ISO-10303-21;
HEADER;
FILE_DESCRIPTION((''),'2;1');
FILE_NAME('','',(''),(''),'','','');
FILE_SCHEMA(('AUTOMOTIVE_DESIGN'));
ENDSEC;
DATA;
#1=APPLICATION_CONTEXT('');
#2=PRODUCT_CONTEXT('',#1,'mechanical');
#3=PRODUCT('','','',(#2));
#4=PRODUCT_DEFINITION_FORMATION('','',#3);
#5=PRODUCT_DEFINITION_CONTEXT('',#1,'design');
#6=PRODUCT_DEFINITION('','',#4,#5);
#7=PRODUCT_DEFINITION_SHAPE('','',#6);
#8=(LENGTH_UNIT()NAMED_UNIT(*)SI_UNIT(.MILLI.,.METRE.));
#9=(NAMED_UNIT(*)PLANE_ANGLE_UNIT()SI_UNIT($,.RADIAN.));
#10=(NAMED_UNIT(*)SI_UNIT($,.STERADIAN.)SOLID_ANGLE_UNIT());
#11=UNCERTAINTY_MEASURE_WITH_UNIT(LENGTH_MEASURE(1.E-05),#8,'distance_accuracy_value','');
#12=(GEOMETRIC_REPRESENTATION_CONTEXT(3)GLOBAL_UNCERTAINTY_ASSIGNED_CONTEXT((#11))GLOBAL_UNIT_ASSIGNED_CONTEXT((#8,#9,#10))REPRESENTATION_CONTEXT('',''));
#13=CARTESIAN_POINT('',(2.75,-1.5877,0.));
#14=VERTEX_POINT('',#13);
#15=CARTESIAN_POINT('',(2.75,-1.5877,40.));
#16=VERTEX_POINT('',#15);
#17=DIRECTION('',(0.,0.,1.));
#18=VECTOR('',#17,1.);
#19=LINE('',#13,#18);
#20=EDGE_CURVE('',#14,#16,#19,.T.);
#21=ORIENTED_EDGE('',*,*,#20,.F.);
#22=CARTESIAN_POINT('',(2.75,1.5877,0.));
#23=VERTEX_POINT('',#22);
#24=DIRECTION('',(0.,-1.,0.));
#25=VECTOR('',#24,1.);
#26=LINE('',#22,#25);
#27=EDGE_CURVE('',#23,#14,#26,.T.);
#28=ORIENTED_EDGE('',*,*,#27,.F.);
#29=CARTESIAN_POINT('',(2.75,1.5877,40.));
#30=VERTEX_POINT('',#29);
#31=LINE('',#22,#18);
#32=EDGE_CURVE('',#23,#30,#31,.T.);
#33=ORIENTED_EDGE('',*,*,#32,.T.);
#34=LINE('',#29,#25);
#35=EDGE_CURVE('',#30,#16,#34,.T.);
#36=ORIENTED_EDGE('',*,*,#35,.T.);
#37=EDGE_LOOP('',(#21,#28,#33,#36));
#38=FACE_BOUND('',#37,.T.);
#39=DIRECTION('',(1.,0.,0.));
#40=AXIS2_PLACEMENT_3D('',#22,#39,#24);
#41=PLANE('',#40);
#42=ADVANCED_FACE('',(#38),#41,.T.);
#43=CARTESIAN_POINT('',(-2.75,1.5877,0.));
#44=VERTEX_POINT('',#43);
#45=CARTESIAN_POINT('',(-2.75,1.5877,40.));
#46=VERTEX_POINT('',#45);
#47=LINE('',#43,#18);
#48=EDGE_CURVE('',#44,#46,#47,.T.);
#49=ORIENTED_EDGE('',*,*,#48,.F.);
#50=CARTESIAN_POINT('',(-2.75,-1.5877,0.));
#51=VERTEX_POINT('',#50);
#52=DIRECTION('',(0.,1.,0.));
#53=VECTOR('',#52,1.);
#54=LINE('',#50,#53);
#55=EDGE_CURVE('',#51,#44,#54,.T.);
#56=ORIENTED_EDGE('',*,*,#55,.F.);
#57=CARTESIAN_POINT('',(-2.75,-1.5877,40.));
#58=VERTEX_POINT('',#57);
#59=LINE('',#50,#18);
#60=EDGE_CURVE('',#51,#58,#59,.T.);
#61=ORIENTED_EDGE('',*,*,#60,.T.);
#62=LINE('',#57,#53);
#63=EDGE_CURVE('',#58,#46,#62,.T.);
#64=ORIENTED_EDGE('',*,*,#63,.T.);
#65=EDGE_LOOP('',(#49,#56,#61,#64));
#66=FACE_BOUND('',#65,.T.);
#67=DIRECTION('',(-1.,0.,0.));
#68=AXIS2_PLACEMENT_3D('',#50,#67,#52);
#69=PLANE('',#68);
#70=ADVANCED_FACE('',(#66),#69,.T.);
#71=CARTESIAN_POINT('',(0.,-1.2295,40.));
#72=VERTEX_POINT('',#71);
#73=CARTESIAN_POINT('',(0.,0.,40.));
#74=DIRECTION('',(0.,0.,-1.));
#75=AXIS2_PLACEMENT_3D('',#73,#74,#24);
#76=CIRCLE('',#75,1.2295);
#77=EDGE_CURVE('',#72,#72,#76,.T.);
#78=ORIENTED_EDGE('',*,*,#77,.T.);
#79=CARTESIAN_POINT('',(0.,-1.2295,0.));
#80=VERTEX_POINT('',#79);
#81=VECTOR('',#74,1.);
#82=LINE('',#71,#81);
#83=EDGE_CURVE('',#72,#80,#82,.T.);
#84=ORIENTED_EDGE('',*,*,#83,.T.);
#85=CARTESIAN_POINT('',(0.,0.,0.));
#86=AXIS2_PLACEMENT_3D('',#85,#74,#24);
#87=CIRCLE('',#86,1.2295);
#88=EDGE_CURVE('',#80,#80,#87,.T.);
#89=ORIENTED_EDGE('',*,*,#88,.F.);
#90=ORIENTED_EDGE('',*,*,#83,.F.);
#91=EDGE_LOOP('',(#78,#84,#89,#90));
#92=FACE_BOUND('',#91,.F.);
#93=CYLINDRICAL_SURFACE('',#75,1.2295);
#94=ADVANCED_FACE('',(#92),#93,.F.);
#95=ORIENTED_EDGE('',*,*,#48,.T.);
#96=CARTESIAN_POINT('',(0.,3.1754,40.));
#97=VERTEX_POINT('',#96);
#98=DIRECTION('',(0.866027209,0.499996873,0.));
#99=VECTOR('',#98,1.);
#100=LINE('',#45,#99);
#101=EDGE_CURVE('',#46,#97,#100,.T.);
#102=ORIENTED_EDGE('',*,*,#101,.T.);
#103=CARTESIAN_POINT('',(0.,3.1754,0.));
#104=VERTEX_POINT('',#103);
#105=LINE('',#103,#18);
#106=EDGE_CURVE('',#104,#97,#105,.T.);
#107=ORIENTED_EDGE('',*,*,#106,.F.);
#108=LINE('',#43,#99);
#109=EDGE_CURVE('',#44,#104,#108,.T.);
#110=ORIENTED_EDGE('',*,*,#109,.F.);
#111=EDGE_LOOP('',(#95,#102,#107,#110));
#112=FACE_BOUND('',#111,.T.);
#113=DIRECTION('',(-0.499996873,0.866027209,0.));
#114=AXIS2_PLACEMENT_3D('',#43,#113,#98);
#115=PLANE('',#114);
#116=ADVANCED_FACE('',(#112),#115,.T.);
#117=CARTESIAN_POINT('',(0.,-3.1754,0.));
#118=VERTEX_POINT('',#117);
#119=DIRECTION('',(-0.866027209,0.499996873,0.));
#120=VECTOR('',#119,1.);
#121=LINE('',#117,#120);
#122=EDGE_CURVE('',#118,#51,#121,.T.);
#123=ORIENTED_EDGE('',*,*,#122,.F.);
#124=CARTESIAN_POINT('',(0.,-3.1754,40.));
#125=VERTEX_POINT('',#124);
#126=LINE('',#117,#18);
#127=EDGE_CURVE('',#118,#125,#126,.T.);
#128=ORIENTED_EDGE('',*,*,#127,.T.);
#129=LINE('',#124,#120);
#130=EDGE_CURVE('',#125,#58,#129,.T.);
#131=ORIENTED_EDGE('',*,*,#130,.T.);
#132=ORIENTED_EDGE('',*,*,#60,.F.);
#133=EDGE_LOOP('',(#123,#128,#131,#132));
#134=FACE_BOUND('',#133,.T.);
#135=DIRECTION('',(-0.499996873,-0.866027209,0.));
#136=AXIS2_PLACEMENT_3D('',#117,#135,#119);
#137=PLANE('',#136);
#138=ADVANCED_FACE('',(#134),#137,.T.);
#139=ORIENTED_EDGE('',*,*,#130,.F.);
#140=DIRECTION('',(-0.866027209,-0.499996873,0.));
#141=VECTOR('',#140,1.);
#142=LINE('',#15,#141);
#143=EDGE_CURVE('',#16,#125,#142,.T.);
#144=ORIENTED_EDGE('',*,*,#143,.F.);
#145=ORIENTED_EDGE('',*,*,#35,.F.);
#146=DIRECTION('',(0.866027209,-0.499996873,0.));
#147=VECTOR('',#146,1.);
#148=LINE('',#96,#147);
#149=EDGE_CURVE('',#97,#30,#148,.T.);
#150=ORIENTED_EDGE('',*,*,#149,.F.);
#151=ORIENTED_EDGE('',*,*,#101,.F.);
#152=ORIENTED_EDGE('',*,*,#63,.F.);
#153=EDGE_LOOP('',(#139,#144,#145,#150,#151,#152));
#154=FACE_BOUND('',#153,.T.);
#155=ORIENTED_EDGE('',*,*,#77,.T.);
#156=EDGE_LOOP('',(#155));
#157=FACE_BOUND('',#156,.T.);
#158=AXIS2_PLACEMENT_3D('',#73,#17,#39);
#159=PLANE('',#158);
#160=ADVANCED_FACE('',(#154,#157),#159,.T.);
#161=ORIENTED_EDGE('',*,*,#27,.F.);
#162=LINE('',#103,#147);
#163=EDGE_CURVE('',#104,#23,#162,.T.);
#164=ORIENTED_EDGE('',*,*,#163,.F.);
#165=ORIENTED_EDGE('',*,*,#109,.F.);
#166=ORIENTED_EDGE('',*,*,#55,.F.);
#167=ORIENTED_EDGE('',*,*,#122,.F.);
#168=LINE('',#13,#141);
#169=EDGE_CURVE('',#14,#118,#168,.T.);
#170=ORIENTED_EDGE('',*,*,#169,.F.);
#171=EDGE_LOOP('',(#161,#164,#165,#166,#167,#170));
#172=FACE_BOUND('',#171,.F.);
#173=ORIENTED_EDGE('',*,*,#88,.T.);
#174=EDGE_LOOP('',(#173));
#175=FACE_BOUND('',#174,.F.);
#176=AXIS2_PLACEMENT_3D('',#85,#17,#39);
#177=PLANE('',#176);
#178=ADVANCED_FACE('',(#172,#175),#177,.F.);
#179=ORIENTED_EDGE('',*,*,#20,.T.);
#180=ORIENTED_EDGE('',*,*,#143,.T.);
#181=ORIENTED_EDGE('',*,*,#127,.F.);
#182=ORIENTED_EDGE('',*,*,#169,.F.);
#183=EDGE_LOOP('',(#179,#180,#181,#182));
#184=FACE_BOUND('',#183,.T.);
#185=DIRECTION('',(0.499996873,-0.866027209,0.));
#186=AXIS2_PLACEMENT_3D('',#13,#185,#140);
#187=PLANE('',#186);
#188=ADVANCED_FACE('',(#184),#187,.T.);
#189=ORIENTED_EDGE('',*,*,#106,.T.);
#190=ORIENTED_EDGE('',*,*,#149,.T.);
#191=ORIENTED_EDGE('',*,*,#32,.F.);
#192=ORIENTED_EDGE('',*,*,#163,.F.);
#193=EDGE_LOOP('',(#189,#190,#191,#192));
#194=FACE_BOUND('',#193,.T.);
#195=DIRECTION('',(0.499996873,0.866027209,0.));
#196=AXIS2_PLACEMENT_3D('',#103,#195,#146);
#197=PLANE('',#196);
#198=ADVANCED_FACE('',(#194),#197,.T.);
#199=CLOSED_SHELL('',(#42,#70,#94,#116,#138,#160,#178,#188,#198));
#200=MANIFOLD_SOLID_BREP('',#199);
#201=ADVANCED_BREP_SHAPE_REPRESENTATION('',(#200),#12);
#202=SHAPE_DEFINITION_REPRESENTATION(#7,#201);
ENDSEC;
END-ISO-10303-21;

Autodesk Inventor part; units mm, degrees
ref_plane "YZ Plane" through (0, 0, 0) normal (1, 0, 0) x (0, 1, 0)
ref_plane "XZ Plane" through (0, 0, 0) normal (0, 1, 0) x (-1, 0, 0)
ref_plane "XY Plane" through (0, 0, 0) normal (0, 0, 1) x (1, 0, 0)
sketch "スケッチ1" plane through (0, 0, 0) normal (0, 0, 1) x (1, 0, 0)
  line L0 (0, 3.1754) -> (2.75, 1.5877)
  line L1 (2.75, 1.5877) -> (2.75, -1.5877)
  line L2 (2.75, -1.5877) -> (0, -3.1754)
  line L3 (0, -3.1754) -> (-2.75, -1.5877)
  line L4 (-2.75, -1.5877) -> (-2.75, 1.5877)
  line L5 (-2.75, 1.5877) -> (0, 3.1754)
  point P0 (0, 0)
  point P1 (0, 0)
  dimension "d0" = 5.5
extrude "押し出し1" add sketch "スケッチ1" along normal blind 40
sketch "スケッチ2" plane through (0, 0, 40) normal (0, 0, 1) x (1, 0, 0)
  point P0 (0, 0)
hole "穴1" at (0, 0, 40) direction (0, 0, -1) diameter 2.459 end through all thread size "M3x0.5" class "6H" standard "ISO Metric profile"
properties part number "ジュラコンスペーサー（六角）_AS-340B" material "アセタール樹脂、黒"
